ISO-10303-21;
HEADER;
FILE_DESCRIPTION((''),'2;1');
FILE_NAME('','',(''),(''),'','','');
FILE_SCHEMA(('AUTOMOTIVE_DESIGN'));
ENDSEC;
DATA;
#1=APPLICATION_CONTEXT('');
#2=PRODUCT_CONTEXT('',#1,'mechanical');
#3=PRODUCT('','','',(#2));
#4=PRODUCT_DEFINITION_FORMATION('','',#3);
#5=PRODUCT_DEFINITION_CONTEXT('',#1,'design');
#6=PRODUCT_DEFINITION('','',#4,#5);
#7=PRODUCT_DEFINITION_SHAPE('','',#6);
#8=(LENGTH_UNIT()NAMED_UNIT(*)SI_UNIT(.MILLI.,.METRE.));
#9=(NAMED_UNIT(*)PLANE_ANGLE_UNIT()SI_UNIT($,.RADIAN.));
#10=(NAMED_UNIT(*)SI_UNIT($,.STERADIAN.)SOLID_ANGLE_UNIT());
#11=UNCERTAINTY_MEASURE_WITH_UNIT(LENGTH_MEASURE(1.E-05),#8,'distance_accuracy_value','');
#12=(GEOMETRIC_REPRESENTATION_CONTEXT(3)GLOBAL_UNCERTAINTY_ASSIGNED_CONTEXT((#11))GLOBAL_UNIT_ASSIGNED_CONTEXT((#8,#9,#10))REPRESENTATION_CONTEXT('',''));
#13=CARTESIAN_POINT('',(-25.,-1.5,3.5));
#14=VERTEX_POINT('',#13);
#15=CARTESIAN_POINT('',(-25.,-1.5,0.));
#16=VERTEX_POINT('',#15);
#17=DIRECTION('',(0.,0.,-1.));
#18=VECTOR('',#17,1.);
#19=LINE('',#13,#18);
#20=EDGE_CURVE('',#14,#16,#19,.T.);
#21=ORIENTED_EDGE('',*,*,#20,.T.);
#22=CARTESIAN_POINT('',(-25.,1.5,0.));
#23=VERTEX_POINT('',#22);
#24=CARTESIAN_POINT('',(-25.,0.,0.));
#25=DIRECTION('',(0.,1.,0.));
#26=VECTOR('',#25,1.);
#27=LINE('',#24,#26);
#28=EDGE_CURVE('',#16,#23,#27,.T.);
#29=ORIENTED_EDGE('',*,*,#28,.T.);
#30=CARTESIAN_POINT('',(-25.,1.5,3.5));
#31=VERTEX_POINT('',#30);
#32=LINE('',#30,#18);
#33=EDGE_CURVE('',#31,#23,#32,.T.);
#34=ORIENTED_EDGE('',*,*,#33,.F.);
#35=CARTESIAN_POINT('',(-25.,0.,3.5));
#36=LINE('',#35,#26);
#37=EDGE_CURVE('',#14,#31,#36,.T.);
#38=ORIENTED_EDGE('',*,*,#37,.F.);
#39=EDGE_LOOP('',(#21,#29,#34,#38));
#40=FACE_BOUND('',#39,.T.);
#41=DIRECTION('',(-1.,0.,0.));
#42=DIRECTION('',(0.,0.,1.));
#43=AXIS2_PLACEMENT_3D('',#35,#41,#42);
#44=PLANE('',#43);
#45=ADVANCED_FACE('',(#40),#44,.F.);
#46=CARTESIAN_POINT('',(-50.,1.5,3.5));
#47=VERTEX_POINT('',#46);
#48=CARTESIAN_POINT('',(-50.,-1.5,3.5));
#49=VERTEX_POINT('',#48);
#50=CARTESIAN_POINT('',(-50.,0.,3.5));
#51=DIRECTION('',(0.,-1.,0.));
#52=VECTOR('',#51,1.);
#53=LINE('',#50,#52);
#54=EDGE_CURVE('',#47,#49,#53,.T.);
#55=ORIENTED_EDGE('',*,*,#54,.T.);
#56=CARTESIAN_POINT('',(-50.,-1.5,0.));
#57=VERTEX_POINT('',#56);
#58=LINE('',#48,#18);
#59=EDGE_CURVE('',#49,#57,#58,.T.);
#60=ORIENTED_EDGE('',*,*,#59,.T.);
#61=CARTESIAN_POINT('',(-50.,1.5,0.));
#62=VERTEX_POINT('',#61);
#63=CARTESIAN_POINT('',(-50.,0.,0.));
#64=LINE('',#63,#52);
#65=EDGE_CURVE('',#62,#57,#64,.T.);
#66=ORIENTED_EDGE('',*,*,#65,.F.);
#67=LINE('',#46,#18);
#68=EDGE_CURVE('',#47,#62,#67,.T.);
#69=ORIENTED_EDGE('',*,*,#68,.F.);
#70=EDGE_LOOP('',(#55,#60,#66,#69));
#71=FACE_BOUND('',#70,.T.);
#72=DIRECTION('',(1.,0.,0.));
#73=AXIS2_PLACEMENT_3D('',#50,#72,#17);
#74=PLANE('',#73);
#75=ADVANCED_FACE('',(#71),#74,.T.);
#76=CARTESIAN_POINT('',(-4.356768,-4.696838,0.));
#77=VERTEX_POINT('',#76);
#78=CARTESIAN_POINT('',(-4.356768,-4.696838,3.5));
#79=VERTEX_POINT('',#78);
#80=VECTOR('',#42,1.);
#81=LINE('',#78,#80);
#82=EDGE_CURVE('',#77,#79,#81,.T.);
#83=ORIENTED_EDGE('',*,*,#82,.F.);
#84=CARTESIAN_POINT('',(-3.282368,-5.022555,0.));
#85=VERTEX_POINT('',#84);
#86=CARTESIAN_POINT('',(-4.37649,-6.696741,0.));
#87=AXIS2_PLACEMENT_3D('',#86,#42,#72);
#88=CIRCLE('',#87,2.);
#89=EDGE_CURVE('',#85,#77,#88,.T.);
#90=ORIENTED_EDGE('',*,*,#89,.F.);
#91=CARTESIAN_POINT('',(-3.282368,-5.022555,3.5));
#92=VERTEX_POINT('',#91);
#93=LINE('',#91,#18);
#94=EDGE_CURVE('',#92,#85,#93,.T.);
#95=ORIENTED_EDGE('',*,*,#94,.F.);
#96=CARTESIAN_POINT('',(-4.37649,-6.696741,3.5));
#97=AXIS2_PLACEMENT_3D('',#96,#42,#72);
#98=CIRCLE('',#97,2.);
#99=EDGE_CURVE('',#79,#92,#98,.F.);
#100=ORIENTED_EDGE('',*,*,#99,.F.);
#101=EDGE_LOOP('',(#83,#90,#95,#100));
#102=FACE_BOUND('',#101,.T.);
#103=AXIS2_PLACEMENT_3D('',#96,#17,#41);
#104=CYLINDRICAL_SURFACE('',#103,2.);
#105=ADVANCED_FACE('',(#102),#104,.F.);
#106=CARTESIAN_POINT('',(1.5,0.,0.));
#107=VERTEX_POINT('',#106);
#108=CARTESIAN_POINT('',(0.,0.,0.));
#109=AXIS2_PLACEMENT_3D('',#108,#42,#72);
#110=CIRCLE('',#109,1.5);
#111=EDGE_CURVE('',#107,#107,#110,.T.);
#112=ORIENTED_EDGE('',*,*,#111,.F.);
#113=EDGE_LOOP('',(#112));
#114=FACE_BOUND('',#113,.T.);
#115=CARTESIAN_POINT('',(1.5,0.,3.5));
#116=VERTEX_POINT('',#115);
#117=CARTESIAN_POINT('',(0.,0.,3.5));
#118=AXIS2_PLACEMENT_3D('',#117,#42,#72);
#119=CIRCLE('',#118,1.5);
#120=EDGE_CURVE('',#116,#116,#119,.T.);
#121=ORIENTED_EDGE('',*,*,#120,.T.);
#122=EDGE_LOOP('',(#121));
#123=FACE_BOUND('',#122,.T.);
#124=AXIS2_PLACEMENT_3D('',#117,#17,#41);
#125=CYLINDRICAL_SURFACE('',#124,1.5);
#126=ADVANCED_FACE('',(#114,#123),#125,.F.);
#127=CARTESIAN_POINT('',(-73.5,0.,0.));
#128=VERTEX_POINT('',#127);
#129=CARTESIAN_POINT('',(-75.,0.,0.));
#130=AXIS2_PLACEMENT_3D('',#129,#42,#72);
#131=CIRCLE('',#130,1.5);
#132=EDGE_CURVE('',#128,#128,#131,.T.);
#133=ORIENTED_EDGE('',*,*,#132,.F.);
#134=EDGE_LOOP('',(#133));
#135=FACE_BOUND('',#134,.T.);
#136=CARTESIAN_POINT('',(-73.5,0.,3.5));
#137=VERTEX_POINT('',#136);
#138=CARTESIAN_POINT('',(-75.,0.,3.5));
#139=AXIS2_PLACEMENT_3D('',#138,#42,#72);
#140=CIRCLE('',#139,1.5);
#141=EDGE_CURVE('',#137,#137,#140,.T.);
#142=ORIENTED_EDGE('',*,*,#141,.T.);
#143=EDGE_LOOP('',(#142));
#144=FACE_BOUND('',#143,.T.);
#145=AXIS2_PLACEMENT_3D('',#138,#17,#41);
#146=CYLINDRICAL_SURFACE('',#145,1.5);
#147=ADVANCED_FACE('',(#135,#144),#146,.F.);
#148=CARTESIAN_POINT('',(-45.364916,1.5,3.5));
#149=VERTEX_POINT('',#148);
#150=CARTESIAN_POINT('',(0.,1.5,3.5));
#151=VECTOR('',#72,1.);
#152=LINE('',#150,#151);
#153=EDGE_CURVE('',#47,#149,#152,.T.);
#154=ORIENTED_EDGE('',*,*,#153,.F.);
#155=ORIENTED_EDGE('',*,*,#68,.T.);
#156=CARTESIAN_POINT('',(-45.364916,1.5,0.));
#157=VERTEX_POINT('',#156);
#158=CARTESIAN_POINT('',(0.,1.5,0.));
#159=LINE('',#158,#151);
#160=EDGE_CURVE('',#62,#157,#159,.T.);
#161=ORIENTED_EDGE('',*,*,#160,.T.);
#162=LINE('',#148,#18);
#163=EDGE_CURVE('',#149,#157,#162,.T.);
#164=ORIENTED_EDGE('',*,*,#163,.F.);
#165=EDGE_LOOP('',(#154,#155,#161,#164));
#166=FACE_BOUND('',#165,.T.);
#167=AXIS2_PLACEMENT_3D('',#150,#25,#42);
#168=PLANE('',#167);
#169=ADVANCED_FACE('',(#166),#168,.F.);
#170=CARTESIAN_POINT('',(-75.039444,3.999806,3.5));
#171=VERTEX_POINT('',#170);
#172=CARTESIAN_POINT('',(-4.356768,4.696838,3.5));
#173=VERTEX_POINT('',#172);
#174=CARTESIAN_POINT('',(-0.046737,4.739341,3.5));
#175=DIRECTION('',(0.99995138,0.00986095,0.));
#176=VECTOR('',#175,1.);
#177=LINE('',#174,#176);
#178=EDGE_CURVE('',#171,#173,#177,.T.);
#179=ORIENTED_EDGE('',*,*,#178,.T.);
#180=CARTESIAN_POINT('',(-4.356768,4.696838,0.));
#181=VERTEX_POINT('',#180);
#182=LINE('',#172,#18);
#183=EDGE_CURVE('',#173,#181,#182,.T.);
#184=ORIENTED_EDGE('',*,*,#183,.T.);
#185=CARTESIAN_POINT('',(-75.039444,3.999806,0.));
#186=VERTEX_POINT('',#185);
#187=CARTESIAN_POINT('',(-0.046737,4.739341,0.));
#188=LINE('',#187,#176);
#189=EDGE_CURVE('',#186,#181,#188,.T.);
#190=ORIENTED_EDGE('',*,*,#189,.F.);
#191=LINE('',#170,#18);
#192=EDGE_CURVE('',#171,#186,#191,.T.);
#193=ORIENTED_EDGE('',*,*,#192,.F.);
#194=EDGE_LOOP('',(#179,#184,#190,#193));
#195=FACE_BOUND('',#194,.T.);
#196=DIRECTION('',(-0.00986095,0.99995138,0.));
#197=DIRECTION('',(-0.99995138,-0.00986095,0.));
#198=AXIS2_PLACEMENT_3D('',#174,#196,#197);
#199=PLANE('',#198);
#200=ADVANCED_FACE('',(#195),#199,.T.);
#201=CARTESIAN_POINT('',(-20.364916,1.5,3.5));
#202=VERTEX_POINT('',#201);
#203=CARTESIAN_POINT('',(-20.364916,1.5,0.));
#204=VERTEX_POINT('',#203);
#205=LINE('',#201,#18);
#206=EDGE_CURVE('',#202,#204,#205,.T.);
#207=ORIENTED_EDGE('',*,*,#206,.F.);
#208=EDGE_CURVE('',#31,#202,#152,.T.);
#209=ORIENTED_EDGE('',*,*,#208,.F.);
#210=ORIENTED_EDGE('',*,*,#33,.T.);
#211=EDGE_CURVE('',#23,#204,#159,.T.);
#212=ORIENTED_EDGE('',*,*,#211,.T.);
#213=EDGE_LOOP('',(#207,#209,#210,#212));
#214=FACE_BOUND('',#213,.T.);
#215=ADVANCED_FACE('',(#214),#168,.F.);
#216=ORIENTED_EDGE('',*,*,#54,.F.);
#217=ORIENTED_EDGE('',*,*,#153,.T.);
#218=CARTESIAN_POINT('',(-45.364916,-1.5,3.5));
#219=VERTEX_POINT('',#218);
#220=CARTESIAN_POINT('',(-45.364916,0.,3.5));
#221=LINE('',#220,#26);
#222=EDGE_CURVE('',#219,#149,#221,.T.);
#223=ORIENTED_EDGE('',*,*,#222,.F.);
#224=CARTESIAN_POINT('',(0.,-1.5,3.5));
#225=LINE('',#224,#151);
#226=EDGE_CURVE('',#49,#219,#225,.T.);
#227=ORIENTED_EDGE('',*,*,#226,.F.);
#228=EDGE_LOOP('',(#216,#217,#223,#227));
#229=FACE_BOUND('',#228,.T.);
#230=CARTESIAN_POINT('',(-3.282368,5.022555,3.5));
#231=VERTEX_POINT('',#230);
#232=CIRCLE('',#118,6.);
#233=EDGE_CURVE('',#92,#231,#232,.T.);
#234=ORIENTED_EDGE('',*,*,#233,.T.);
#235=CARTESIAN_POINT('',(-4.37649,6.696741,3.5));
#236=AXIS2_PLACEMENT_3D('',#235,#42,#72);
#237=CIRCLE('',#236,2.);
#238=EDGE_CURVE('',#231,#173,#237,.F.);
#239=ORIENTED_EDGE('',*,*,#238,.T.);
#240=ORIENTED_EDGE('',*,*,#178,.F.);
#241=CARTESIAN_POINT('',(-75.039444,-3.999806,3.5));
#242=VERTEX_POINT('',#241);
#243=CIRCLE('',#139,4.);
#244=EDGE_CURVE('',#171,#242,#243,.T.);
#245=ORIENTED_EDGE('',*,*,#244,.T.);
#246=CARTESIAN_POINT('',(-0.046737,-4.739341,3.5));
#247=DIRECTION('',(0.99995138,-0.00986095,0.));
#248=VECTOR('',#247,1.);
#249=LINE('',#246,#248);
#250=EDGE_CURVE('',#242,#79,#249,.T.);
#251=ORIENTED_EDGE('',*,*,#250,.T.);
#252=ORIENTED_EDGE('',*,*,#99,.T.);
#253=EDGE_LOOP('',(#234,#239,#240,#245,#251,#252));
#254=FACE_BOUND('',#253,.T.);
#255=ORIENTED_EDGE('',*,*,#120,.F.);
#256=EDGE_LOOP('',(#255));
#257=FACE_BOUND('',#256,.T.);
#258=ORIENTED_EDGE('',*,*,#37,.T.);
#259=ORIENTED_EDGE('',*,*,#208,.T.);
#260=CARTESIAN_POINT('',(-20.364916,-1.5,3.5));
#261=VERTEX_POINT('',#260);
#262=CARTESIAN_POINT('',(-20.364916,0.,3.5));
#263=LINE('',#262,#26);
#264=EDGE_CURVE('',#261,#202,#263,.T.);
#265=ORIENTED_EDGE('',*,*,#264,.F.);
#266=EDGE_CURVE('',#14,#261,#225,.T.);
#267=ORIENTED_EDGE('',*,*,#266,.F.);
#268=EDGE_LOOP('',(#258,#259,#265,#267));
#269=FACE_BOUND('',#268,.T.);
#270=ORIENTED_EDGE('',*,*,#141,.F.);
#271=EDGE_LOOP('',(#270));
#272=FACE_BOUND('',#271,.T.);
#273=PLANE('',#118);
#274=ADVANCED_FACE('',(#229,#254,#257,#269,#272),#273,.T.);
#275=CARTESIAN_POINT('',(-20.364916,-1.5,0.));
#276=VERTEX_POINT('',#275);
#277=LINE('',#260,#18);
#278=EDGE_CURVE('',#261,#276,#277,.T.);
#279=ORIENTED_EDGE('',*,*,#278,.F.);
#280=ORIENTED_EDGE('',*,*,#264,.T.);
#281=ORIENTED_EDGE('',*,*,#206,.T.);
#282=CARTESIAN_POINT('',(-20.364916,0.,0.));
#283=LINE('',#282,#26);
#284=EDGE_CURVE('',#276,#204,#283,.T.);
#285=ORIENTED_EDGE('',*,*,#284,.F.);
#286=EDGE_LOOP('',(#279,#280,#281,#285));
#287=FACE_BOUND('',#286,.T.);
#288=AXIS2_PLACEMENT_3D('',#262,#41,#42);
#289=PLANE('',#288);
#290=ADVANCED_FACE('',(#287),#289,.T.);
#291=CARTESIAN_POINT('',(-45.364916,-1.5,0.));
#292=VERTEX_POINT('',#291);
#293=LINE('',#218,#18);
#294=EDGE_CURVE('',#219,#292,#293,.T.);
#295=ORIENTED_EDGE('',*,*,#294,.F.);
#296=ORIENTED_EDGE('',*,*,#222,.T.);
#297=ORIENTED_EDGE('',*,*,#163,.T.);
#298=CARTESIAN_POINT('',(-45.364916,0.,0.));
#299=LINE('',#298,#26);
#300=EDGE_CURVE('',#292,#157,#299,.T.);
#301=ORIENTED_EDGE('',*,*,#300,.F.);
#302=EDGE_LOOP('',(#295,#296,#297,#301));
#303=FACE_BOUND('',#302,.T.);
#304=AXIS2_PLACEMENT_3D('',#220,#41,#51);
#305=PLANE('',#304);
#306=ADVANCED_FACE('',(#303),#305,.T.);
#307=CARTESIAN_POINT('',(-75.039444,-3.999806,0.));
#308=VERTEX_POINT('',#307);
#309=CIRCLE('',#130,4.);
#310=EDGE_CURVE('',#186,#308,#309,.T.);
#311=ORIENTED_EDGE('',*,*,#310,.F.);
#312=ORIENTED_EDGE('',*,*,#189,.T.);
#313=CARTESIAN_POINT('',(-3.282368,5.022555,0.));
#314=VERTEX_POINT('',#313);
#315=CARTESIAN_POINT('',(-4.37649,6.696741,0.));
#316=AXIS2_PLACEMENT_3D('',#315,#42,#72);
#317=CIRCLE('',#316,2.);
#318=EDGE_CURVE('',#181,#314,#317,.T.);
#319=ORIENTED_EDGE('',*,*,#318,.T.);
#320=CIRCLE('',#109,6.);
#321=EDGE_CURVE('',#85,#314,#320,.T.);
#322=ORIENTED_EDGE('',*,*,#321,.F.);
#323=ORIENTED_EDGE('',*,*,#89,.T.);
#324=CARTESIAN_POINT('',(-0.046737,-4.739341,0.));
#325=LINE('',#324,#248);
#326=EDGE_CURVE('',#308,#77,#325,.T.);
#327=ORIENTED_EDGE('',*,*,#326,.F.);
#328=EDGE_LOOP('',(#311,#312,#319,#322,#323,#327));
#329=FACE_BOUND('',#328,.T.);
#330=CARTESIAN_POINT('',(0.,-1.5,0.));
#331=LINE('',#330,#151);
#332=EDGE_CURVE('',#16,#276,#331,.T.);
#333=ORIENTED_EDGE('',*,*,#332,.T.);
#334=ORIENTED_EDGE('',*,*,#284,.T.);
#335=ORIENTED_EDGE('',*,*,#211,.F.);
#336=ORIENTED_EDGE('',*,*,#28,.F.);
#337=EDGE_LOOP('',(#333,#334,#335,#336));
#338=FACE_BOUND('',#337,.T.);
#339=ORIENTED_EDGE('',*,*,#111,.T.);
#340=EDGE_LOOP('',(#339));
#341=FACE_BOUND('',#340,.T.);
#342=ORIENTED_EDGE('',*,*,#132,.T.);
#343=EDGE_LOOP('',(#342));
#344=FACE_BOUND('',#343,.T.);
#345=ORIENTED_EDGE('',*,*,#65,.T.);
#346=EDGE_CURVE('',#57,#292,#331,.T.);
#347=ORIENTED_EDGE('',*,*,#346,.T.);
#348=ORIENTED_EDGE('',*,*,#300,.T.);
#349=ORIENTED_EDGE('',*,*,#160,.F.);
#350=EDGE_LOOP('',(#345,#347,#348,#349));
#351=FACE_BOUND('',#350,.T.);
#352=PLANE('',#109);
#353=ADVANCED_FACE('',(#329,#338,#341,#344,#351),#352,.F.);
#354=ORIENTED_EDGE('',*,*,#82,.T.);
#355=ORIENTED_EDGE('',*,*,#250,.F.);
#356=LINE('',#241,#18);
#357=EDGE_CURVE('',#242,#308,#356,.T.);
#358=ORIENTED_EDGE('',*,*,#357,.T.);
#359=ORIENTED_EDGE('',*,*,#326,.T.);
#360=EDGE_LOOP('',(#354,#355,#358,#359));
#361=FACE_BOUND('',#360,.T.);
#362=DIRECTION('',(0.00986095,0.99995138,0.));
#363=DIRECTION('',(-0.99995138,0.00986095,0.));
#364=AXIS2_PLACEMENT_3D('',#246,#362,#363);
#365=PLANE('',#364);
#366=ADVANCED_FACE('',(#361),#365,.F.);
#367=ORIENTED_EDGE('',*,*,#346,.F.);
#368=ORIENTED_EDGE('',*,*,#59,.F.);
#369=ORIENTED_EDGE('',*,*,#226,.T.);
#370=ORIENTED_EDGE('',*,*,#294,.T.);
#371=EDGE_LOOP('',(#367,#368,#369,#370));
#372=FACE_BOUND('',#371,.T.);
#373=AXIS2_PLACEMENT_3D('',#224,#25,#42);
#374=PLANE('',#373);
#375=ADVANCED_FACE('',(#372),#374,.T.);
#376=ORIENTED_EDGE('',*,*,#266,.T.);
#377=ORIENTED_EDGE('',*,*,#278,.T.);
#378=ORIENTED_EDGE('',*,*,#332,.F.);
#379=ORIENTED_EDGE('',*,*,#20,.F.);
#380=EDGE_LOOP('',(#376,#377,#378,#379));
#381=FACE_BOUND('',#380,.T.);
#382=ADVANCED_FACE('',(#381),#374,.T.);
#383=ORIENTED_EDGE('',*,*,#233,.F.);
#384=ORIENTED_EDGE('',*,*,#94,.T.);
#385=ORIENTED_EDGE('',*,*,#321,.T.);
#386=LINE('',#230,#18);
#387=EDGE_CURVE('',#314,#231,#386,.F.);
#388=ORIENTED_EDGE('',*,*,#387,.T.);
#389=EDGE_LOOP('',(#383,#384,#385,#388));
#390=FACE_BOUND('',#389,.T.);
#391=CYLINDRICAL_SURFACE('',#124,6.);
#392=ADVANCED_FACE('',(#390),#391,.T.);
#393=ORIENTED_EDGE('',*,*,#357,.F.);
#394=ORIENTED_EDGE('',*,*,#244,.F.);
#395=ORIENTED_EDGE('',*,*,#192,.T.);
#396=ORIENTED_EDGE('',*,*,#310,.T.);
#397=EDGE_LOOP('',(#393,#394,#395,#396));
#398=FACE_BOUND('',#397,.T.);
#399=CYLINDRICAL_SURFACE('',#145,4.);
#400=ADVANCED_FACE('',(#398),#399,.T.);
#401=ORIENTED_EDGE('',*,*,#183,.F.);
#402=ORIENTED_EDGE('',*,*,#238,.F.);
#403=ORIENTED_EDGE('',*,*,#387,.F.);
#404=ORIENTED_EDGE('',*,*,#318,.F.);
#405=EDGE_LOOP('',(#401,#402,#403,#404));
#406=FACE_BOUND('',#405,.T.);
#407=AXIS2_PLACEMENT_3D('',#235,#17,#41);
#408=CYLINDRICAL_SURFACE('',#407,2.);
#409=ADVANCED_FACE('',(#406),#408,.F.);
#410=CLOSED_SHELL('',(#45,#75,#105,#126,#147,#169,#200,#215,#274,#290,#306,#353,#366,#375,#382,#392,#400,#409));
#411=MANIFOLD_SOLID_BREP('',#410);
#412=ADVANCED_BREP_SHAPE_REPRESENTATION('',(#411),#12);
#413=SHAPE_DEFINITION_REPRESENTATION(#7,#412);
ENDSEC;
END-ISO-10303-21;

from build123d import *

# Parameters (mm, degrees)
SKETCH1_R           = 1.5
SKETCH1_W           = 4.635083662
SKETCH1_H           = 3
BOSS_EXTRUDE1_DEPTH = 3.5
FILLET1_R           = 2


with BuildPart() as part:
    # Sketch1 → Boss-Extrude1 (new body)
    with BuildSketch(Plane.XY):
        with BuildLine():
            Line((-75.039443802, 3.999805519), (-3.725751189, 4.703060501))
            ThreePointArc((-3.725751189, 4.703060501), (6, 0), (-3.725751189, -4.703060501))
            Line((-3.725751189, -4.703060501), (-75.039443802, -3.999805519))
            ThreePointArc((-75.039443802, -3.999805519), (-79, 0), (-75.039443802, 3.999805519))
        make_face()
        with Locations((-75, 0)):
            Circle(SKETCH1_R, mode=Mode.SUBTRACT)
        Circle(SKETCH1_R, mode=Mode.SUBTRACT)
        with Locations((-47.682458169, 0)):
            Rectangle(SKETCH1_W, SKETCH1_H, mode=Mode.SUBTRACT)
        with Locations((-22.682458169, 0)):
            Rectangle(SKETCH1_W, SKETCH1_H, mode=Mode.SUBTRACT)
    extrude(amount=BOSS_EXTRUDE1_DEPTH)

    # Fillet1
    fillet1_edges = [part.edges().sort_by_distance(p)[0] for p in [
        (-3.725751189, 4.703060501, 1.75),
        (-3.725751189, -4.703060501, 1.75),
    ]]
    fillet(fillet1_edges, radius=FILLET1_R)


solid = part.part
